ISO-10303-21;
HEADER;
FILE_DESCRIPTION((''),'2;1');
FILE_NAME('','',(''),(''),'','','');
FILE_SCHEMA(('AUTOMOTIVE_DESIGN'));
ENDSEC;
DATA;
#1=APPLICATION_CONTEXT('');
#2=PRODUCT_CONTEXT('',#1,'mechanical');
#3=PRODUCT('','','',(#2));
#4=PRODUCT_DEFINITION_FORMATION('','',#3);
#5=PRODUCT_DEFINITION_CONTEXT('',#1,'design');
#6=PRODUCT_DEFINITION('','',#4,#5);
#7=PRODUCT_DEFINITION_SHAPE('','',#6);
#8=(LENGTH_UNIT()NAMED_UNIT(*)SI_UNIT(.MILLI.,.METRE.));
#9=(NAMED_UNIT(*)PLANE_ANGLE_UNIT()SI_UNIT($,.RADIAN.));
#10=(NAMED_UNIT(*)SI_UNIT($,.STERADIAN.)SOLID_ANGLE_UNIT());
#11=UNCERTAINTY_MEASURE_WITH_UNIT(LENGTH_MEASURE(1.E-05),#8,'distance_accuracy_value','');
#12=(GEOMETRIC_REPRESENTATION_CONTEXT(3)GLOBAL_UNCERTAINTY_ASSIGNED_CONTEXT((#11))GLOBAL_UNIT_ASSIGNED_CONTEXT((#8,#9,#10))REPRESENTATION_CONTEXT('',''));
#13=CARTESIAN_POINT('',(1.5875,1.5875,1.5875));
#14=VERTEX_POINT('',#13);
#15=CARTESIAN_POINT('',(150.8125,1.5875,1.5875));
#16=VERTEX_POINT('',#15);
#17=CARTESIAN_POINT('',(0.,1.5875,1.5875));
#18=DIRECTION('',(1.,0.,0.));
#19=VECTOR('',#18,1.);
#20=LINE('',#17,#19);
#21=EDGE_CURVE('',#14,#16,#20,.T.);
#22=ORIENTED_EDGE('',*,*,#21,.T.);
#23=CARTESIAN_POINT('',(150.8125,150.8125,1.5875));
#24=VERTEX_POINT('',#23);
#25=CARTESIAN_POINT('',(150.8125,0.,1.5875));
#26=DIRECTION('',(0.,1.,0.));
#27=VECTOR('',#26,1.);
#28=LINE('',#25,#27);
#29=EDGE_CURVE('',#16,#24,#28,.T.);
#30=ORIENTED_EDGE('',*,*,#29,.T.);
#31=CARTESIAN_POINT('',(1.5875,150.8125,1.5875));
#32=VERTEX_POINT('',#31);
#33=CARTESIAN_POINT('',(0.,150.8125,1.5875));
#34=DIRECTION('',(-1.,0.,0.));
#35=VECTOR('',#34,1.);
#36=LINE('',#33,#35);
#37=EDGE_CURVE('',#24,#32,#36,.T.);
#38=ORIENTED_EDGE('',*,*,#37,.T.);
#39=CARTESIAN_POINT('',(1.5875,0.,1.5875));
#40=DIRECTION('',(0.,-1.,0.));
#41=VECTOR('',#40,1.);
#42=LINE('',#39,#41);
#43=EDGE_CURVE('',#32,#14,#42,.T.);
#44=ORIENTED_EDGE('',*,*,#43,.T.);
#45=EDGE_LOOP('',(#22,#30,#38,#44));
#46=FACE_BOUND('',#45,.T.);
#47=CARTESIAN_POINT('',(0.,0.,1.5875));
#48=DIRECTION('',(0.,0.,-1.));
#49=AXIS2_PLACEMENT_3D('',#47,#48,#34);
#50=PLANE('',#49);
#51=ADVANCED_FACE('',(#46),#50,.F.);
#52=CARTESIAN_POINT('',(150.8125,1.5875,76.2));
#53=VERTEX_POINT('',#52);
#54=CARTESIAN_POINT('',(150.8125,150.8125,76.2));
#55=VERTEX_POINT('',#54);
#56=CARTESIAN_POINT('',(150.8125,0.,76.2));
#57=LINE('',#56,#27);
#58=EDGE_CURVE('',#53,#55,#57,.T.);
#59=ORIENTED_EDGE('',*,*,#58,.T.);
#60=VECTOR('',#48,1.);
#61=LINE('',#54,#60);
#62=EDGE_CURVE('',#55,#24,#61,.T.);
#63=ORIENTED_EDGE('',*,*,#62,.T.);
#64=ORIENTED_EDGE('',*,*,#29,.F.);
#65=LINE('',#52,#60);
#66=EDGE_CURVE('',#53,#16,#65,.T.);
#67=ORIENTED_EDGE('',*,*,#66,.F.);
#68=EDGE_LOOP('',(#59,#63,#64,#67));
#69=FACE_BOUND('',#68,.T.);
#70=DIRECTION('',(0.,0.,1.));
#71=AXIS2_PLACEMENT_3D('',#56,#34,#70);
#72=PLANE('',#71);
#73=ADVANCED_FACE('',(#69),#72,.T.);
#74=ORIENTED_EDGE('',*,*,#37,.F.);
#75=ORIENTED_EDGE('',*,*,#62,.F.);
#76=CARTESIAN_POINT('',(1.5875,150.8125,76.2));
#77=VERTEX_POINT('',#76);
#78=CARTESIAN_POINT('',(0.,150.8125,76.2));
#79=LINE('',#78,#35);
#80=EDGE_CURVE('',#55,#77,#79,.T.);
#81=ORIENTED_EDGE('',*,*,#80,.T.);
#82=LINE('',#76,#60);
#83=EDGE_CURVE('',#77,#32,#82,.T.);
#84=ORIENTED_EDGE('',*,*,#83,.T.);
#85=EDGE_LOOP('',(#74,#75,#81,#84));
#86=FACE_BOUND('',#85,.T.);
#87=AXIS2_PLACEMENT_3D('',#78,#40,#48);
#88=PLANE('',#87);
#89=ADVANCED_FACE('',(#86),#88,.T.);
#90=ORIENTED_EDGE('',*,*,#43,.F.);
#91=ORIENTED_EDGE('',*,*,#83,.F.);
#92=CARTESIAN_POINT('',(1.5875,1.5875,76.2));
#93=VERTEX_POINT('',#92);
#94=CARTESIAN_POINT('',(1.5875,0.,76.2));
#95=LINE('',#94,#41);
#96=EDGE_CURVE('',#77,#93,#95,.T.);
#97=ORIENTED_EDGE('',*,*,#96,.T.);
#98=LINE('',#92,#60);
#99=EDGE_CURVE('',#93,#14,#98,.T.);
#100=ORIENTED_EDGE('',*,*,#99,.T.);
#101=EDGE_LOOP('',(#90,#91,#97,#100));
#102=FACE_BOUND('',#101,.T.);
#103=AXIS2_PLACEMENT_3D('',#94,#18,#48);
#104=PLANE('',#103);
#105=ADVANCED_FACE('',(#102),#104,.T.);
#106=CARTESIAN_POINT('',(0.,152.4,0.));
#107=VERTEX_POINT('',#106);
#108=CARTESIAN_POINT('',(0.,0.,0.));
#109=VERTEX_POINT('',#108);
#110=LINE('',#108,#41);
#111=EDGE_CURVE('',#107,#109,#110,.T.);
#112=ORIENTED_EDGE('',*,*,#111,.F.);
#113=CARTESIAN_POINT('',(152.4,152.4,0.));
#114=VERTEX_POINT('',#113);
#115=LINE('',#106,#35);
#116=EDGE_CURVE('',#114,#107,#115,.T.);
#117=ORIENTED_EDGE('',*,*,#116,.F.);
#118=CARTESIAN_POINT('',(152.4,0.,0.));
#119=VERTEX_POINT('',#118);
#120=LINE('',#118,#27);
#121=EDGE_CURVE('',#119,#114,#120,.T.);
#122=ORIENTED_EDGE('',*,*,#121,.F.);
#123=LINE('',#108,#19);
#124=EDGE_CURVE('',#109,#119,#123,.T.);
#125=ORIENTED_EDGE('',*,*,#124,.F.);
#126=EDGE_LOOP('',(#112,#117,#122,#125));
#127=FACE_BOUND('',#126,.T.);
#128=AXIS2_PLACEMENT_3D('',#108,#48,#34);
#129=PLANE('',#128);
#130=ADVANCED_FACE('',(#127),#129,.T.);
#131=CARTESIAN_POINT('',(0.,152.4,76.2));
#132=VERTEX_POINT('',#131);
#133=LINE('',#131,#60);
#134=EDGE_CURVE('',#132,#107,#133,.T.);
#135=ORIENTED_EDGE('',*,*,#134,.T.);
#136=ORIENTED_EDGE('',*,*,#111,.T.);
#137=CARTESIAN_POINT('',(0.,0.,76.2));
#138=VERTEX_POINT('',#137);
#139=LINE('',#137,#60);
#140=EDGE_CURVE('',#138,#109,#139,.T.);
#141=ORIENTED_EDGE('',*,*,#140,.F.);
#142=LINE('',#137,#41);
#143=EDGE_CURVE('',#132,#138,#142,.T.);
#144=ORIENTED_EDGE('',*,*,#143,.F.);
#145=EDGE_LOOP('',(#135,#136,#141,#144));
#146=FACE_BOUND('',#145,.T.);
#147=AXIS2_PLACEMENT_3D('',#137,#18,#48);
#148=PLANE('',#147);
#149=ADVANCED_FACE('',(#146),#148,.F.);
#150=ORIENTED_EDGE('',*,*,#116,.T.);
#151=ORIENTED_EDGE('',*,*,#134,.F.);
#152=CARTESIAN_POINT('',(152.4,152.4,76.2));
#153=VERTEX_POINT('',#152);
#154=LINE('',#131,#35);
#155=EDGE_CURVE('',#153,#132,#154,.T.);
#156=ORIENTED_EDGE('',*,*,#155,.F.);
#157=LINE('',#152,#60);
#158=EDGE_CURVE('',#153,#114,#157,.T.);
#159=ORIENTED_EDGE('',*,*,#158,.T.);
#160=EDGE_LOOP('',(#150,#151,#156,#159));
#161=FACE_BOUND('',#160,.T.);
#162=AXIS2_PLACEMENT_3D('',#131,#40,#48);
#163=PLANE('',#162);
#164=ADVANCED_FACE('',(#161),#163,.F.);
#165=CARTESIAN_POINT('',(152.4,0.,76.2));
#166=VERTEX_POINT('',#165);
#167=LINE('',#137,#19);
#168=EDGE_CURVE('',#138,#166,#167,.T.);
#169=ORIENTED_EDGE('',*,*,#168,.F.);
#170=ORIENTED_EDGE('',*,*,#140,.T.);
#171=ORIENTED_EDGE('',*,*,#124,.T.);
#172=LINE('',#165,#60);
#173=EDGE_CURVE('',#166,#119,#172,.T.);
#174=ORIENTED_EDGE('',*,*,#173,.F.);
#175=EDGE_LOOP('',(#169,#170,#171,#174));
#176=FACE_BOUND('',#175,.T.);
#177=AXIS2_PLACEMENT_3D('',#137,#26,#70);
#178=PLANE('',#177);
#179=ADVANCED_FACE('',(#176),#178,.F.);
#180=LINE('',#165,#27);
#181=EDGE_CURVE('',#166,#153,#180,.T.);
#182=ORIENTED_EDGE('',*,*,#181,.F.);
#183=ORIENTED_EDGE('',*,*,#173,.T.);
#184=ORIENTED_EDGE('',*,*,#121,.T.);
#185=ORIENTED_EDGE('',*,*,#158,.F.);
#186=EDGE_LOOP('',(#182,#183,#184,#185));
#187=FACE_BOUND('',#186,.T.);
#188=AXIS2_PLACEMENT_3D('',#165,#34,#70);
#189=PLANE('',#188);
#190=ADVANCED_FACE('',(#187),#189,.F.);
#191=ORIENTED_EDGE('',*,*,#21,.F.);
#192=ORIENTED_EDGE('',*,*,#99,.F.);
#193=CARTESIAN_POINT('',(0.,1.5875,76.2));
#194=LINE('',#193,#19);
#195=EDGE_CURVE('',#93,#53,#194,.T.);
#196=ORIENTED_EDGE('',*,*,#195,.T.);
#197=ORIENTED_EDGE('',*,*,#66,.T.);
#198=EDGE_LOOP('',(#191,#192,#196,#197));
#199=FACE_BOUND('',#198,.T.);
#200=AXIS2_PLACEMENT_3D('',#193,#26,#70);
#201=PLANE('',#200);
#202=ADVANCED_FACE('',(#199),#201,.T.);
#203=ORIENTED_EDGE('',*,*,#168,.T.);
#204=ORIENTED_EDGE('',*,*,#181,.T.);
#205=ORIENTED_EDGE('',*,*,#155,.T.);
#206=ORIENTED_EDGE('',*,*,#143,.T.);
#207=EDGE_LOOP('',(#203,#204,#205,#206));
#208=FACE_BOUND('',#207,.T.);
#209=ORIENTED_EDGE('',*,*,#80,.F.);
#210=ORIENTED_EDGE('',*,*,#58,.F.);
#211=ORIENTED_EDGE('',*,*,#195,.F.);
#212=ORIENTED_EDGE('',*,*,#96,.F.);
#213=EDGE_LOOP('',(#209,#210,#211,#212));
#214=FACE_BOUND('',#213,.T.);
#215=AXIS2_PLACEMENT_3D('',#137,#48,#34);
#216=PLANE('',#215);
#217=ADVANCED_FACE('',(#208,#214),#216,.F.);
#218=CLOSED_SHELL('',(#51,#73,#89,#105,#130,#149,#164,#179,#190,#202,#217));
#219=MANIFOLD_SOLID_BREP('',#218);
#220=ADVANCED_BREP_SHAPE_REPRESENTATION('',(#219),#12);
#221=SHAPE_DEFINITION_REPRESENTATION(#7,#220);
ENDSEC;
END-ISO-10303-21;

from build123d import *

# Parameters (mm, degrees)
SKETCH1_W           = 152.4
SKETCH1_H           = 152.4
BOSS_EXTRUDE1_DEPTH = 76.2
SHELL1_T            = -1.5875


with BuildPart() as part:
    # Sketch1 → Boss-Extrude1 (new body)
    with BuildSketch(Plane.XY):
        with Locations((76.2, 76.2)):
            Rectangle(SKETCH1_W, SKETCH1_H)
    extrude(amount=BOSS_EXTRUDE1_DEPTH)

    # Shell1
    shell1_openings = [part.faces().sort_by_distance(p)[0] for p in [
        (76.2, 76.2, 76.2),
    ]]
    offset(amount=SHELL1_T, openings=shell1_openings, kind=Kind.INTERSECTION)


solid = part.part
